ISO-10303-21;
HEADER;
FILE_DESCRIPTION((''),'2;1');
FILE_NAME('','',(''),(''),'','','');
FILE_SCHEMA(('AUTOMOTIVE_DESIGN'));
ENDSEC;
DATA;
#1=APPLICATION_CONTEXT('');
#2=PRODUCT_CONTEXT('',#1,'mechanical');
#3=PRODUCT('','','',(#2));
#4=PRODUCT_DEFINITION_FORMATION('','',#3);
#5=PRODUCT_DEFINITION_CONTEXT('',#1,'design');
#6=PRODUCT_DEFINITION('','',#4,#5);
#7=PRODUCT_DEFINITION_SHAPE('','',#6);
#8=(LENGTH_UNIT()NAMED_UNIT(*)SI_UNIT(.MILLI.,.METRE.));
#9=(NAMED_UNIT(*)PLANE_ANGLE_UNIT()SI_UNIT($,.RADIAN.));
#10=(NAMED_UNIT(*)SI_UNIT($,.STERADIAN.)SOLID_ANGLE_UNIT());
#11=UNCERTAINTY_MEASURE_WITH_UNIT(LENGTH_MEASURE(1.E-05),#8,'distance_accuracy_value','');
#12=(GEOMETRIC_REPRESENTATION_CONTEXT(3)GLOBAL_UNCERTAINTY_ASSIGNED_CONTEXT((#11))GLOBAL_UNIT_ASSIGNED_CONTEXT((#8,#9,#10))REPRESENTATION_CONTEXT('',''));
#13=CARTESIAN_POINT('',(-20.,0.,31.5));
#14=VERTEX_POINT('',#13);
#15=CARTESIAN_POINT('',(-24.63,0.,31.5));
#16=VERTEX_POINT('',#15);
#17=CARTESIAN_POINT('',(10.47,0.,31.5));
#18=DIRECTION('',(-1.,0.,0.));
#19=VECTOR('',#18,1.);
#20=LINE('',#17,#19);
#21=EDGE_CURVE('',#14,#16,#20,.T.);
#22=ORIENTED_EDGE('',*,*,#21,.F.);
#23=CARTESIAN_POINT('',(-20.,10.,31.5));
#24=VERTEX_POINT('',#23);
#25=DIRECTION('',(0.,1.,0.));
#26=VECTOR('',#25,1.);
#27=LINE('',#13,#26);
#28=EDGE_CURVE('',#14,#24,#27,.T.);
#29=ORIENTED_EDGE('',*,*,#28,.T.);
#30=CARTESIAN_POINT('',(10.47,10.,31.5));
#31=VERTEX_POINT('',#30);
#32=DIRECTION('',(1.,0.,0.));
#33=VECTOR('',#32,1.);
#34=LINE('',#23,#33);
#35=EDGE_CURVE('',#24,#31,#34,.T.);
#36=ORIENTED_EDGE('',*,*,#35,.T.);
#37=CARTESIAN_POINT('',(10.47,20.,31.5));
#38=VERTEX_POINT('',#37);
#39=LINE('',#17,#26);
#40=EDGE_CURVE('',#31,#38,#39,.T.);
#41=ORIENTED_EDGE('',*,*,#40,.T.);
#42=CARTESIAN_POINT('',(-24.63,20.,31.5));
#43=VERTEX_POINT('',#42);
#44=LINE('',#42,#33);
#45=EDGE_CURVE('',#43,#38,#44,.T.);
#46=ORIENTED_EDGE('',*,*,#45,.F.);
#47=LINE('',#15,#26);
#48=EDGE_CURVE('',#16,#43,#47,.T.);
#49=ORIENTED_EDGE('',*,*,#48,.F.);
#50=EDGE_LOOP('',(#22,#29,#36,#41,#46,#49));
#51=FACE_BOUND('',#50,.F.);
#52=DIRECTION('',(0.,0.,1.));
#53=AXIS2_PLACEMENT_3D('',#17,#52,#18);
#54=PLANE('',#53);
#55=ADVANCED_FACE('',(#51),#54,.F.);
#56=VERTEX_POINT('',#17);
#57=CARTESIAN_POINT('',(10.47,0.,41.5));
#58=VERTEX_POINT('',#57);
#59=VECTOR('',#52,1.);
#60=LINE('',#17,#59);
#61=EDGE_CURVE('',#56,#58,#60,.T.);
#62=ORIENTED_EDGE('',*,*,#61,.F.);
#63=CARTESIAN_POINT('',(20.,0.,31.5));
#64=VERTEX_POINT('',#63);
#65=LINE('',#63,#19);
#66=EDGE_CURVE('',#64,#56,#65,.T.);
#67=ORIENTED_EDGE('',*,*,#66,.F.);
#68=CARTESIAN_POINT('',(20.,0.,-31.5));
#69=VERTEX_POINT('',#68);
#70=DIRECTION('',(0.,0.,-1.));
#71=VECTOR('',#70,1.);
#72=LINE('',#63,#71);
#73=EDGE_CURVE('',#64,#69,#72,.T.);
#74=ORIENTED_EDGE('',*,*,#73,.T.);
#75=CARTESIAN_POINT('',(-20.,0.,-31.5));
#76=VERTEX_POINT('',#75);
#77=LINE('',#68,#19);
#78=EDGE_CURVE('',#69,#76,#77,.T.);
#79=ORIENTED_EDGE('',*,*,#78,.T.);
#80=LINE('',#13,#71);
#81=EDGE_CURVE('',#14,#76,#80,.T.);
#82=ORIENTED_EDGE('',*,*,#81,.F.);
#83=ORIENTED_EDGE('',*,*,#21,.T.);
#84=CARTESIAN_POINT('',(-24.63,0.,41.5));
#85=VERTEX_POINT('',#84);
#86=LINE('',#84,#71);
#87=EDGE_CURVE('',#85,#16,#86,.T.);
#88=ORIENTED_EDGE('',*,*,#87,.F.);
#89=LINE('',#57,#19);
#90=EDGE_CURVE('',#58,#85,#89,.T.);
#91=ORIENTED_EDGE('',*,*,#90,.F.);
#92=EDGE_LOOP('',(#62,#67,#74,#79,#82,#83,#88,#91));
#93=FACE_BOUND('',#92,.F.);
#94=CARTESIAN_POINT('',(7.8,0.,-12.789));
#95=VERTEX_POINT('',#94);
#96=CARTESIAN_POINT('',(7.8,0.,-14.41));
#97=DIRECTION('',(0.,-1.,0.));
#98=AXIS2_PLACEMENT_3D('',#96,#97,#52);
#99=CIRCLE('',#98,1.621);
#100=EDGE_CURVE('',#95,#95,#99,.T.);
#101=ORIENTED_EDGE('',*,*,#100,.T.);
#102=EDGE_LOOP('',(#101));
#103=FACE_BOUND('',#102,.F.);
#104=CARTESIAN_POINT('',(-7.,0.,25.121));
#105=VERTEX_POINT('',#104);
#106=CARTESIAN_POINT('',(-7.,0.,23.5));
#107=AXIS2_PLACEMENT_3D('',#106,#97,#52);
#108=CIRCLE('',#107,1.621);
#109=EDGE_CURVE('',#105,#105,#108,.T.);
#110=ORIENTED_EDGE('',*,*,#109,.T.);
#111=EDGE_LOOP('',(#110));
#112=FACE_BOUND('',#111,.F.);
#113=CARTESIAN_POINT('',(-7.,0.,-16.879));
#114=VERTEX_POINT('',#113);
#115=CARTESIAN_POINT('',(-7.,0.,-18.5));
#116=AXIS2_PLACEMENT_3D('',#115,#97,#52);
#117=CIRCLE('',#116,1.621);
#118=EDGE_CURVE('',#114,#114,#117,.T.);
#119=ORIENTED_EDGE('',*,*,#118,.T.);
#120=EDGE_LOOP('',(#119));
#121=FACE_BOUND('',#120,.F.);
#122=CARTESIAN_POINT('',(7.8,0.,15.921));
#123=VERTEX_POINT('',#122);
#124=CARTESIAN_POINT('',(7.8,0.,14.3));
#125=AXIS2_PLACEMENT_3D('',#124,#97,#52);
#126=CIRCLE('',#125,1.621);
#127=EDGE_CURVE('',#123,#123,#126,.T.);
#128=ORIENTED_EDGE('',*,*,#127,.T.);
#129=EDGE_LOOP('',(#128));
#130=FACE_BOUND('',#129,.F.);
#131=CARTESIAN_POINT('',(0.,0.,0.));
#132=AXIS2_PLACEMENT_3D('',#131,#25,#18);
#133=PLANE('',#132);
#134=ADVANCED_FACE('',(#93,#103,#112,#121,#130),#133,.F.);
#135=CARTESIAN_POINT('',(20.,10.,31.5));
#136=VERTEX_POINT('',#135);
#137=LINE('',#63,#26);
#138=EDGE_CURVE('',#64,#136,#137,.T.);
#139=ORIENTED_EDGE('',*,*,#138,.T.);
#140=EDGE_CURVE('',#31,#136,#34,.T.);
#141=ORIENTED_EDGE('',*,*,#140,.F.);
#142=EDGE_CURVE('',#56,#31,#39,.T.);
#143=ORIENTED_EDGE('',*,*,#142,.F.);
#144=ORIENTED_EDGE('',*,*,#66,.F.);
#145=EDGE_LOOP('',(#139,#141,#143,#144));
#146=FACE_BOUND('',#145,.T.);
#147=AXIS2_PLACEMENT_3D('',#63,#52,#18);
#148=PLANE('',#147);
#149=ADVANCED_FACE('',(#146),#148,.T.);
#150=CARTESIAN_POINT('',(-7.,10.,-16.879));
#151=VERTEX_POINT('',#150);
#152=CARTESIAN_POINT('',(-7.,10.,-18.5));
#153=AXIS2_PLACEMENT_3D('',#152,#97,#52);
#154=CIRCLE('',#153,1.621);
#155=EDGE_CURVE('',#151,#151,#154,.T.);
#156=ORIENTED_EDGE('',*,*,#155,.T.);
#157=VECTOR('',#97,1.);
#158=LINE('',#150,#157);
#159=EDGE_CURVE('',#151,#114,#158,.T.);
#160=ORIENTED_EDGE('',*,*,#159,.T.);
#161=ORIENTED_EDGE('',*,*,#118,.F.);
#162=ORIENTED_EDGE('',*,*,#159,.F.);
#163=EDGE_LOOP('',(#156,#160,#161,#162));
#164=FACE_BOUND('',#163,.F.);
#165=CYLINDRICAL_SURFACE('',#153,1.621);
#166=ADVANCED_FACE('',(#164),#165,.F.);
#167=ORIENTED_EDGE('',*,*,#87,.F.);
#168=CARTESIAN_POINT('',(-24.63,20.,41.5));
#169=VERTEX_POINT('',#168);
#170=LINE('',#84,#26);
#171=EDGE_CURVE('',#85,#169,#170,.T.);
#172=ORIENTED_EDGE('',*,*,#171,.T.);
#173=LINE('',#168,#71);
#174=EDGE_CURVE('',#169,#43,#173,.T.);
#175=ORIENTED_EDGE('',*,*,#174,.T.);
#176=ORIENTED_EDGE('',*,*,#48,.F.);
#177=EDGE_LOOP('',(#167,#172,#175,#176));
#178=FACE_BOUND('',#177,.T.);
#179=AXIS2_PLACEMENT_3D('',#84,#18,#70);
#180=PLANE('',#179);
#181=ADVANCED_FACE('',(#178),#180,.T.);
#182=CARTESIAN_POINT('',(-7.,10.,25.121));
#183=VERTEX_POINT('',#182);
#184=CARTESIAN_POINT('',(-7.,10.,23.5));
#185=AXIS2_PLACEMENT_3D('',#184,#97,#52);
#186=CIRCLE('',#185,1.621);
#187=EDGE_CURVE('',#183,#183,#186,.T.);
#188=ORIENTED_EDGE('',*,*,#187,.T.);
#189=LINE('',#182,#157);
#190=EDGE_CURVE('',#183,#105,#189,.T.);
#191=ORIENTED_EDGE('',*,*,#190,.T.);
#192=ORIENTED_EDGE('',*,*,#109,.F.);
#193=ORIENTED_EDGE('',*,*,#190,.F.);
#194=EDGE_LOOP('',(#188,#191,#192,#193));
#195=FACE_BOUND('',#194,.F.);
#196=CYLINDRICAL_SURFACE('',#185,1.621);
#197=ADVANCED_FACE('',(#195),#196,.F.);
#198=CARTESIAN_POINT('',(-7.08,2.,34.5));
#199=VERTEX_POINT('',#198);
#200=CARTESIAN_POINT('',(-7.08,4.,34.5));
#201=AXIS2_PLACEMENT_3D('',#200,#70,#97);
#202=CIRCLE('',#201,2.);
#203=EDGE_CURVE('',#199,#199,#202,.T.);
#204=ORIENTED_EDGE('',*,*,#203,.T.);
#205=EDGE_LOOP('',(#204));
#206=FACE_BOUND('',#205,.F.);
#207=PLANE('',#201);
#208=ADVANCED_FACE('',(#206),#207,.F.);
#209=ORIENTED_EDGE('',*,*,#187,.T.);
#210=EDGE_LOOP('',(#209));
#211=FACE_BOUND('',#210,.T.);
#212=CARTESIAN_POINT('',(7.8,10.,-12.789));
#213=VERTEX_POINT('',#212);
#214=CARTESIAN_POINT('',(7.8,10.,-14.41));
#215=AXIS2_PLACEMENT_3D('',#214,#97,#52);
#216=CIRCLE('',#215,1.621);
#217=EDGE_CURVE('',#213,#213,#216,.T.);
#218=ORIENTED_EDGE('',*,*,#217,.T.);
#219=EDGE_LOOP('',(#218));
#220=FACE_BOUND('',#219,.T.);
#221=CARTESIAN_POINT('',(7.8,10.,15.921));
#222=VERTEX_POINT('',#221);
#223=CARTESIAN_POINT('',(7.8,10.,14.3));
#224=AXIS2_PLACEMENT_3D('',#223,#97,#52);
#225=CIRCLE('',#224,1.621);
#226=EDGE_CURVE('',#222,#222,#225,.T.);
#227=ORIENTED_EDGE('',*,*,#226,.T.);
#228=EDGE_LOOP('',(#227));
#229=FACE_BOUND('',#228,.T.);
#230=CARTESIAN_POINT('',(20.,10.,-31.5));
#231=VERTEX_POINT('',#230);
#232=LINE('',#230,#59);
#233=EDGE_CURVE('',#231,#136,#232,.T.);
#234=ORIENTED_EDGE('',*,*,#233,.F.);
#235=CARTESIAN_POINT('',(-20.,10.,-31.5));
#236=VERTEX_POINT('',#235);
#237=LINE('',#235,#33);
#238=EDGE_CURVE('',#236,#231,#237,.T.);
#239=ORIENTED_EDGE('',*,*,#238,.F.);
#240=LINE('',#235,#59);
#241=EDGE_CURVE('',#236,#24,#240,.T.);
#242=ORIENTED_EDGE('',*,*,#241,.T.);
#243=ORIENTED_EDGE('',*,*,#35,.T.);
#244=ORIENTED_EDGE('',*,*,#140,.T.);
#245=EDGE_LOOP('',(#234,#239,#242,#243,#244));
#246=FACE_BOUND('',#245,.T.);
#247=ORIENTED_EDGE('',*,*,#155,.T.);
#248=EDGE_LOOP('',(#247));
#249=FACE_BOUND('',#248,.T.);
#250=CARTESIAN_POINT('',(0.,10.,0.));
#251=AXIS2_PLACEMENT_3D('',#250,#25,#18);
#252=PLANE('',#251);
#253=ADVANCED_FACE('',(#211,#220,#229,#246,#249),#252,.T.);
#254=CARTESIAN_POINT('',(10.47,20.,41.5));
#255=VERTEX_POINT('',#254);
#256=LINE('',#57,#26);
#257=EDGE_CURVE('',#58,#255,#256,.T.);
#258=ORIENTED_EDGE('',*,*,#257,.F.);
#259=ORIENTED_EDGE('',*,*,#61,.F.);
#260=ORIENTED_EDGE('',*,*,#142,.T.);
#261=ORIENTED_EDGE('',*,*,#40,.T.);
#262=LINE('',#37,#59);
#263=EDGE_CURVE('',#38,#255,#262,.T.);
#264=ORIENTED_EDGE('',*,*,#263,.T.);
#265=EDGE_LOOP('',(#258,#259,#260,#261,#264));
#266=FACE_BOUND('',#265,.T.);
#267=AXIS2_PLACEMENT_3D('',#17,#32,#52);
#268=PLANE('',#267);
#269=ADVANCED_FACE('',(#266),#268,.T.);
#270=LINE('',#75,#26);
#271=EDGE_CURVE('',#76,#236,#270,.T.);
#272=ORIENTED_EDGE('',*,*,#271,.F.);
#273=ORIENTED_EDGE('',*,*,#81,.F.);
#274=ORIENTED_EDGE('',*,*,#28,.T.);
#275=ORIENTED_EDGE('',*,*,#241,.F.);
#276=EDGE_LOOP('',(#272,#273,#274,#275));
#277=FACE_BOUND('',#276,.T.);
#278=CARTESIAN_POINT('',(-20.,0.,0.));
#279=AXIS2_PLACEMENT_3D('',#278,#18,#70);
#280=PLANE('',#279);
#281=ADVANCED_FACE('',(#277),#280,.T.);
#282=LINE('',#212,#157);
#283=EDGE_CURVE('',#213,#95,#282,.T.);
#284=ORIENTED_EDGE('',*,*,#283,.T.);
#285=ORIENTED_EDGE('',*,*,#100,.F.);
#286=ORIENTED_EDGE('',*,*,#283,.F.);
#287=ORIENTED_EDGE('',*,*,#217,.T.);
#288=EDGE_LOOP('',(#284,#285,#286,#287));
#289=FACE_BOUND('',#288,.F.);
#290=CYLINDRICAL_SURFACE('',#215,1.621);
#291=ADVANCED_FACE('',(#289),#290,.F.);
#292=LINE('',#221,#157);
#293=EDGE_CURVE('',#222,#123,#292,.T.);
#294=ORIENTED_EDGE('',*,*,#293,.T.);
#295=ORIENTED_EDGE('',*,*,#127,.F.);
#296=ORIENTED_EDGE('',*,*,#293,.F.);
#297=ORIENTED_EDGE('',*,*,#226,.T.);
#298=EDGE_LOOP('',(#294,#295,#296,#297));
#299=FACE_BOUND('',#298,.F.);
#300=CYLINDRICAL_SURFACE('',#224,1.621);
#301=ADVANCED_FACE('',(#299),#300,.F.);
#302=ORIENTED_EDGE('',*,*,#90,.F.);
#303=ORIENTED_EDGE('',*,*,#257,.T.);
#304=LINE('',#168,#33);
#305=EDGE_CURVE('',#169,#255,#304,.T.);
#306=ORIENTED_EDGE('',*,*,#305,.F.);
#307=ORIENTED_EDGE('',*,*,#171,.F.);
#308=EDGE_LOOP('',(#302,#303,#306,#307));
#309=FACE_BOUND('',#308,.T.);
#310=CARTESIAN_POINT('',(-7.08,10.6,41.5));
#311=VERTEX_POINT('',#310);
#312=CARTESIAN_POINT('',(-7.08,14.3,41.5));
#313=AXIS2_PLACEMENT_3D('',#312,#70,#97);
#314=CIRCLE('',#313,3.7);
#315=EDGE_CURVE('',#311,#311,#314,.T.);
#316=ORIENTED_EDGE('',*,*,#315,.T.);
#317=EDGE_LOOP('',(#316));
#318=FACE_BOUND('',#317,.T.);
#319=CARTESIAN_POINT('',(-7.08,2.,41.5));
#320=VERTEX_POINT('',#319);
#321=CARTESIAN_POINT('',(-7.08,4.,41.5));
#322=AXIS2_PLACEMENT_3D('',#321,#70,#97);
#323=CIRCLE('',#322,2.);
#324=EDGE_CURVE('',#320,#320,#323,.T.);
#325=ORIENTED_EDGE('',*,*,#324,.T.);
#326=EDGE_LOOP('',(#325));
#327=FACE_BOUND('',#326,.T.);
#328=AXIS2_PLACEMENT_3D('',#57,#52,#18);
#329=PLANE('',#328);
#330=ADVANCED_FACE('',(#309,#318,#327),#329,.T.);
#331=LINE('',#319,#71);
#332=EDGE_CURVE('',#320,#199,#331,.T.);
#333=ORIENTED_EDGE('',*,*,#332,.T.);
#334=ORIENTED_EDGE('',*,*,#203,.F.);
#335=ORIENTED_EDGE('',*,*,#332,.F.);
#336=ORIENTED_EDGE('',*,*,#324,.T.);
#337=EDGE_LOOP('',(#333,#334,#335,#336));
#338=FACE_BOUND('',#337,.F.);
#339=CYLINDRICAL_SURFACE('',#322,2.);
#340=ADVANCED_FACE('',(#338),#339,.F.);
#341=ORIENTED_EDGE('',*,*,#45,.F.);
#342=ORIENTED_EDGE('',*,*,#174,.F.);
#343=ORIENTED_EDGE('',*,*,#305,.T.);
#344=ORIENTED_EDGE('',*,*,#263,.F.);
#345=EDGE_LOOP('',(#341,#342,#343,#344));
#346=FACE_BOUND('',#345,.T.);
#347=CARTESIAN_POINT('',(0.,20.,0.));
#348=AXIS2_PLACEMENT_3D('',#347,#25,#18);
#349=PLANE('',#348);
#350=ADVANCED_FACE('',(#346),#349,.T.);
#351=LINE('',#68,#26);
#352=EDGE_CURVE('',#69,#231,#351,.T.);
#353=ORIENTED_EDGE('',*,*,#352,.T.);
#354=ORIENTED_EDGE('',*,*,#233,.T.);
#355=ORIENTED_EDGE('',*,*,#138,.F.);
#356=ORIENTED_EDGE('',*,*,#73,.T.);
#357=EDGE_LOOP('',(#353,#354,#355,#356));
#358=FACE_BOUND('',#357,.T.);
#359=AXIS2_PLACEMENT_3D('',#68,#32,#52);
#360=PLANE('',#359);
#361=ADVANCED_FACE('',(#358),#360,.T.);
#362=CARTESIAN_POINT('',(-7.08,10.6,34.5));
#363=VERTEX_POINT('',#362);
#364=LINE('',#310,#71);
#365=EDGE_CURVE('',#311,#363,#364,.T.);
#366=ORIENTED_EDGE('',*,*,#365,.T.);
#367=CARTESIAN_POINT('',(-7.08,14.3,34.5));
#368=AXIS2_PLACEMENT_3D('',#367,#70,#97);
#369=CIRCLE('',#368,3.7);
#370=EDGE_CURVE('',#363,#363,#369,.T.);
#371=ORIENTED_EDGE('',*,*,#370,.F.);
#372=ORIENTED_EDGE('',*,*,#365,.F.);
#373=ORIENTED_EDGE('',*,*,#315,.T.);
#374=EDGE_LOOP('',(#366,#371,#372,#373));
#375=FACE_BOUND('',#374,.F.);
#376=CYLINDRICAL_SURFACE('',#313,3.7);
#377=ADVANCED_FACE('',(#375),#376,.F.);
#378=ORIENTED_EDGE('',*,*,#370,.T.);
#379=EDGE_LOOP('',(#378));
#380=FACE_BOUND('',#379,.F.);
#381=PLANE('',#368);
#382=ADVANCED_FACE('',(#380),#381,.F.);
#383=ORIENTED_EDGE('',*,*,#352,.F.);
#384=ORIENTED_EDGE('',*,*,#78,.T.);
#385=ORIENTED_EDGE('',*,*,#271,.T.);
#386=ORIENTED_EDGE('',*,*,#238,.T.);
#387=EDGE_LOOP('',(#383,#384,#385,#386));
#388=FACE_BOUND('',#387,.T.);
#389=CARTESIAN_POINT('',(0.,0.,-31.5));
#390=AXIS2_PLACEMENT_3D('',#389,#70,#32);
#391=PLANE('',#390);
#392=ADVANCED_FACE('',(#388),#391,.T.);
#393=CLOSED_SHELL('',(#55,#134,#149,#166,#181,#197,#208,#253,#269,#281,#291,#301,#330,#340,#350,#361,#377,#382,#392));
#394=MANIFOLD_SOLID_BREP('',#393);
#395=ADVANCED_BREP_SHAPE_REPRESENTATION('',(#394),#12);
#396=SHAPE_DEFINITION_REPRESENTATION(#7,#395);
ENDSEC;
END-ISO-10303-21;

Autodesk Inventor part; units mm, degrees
ref_plane "YZ Plane" through (0, 0, 0) normal (1, 0, 0) x (0, 1, 0)
ref_plane "XZ Plane" through (0, 0, 0) normal (0, 1, 0) x (-1, 0, 0)
ref_plane "XY Plane" through (0, 0, 0) normal (0, 0, 1) x (1, 0, 0)
sketch "Sketch2" plane through (0, 0, 0) normal (0, 1, 0) x (-1, 0, 0)
  line L0 (0, -46.1) -> (0, 56.1) projected
  line L1 (33.556, 0) -> (-28.926, 0) projected
  line L2 (20, -31.5) -> (-20, -31.5)
  line L3 (-20, -31.5) -> (-20, 31.5)
  line L4 (-20, 31.5) -> (20, 31.5)
  line L5 (20, 31.5) -> (20, -31.5)
  line L6 (20, -31.5) -> (-20, 31.5) construction
  line L7 (-20, -31.5) -> (20, 31.5) construction
  line L8 (24.63, 31.5) -> (-10.47, 31.5)
  line L9 (-10.47, 31.5) -> (-10.47, 41.5)
  line L10 (-10.47, 41.5) -> (24.63, 41.5)
  line L11 (24.63, 41.5) -> (24.63, 31.5)
  line L12 (24.63, 31.5) -> (-10.47, 41.5) construction
  line L13 (-10.47, 31.5) -> (24.63, 41.5) construction
  point P0 (0, 0)
  point P1 (7.08, 36.5)
  point P2 (-10.47, 31.5)
  dimension "d5" = 40
  dimension "d6" = 63
  dimension "d7" = 9.53
  dimension "d8" = 35.1
  dimension "d9" = 73
extrude "Extrusion1" add sketch "Sketch2" along normal blind 10 contours L2 L3 L1 L0 | L0 L1 L5 L2 | L1 L3 L4 L0 | L0 L4 L5 L1
extrude "Extrusion2" add sketch "Sketch2" along normal blind 20 contours L4 L9 L10 L0 | L0 L10 L11 L8 L4
sketch "Sketch3" plane through (0, 10, 0) normal (0, 1, 0) x (1, 0, 0)
  line L0 (-20, 31.5) -> (-20, -31.5) projected
  line L1 (20, 31.5) -> (-20, 31.5) projected
  line L2 (20, -31.5) -> (20, 31.5) projected
  point P0 (0, 0)
  point P1 (-7, 18.5)
  point P2 (-7, -23.5)
  point P3 (7.8, 14.41)
  point P4 (7.8, -14.3)
  dimension "d21" = 13
  dimension "d22" = 13
  dimension "d23" = 42
  dimension "d24" = 13
  dimension "d25" = 12.2
  dimension "d26" = 12.2
  dimension "d27" = 17.09
  dimension "d28" = 28.71
hole "Hole1" at (-7, 10, -18.5) at (-7, 10, 23.5) at (7.8, 10, -14.41) at (7.8, 10, 14.3) direction (0, -1, 0) diameter 3.242 end through all thread size "M4x0.7" class "6H" standard "ISO Metric profile"
sketch "Sketch4" plane through (-24.63, 0, 41.5) normal (0, 0, 1) x (1, 0, 0)
  line L0 (0, 20) -> (35.1, 20) projected
  line L1 (35.1, 0) -> (35.1, 20) projected
  point P0 (24.63, 0)
  point P1 (17.55, 14.3)
  dimension "d36" = 5.7
  dimension "d37" = 17.55
hole "Hole2" at (-7.08, 14.3, 41.5) direction (0, 0, -1) diameter 7.4 depth 7
sketch "Sketch5" plane through (-24.63, 0, 41.5) normal (0, 0, 1) x (1, 0, 0)
  circle A0 centre (17.55, 14.3) radius 3.7 projected
  line L0 (0, 0) -> (35.1, 0) projected
  line L1 (35.1, 0) -> (35.1, 20) projected
  point P0 (24.63, 0)
  point P1 (17.55, 4)
  dimension "d46" = 4
  dimension "d47" = 17.55
hole "Hole3" at (-7.08, 4, 41.5) direction (0, 0, -1) diameter 4 depth 7
properties part number "uchwyt_strzykawka_dol" material "PC/ABS Plastic"
